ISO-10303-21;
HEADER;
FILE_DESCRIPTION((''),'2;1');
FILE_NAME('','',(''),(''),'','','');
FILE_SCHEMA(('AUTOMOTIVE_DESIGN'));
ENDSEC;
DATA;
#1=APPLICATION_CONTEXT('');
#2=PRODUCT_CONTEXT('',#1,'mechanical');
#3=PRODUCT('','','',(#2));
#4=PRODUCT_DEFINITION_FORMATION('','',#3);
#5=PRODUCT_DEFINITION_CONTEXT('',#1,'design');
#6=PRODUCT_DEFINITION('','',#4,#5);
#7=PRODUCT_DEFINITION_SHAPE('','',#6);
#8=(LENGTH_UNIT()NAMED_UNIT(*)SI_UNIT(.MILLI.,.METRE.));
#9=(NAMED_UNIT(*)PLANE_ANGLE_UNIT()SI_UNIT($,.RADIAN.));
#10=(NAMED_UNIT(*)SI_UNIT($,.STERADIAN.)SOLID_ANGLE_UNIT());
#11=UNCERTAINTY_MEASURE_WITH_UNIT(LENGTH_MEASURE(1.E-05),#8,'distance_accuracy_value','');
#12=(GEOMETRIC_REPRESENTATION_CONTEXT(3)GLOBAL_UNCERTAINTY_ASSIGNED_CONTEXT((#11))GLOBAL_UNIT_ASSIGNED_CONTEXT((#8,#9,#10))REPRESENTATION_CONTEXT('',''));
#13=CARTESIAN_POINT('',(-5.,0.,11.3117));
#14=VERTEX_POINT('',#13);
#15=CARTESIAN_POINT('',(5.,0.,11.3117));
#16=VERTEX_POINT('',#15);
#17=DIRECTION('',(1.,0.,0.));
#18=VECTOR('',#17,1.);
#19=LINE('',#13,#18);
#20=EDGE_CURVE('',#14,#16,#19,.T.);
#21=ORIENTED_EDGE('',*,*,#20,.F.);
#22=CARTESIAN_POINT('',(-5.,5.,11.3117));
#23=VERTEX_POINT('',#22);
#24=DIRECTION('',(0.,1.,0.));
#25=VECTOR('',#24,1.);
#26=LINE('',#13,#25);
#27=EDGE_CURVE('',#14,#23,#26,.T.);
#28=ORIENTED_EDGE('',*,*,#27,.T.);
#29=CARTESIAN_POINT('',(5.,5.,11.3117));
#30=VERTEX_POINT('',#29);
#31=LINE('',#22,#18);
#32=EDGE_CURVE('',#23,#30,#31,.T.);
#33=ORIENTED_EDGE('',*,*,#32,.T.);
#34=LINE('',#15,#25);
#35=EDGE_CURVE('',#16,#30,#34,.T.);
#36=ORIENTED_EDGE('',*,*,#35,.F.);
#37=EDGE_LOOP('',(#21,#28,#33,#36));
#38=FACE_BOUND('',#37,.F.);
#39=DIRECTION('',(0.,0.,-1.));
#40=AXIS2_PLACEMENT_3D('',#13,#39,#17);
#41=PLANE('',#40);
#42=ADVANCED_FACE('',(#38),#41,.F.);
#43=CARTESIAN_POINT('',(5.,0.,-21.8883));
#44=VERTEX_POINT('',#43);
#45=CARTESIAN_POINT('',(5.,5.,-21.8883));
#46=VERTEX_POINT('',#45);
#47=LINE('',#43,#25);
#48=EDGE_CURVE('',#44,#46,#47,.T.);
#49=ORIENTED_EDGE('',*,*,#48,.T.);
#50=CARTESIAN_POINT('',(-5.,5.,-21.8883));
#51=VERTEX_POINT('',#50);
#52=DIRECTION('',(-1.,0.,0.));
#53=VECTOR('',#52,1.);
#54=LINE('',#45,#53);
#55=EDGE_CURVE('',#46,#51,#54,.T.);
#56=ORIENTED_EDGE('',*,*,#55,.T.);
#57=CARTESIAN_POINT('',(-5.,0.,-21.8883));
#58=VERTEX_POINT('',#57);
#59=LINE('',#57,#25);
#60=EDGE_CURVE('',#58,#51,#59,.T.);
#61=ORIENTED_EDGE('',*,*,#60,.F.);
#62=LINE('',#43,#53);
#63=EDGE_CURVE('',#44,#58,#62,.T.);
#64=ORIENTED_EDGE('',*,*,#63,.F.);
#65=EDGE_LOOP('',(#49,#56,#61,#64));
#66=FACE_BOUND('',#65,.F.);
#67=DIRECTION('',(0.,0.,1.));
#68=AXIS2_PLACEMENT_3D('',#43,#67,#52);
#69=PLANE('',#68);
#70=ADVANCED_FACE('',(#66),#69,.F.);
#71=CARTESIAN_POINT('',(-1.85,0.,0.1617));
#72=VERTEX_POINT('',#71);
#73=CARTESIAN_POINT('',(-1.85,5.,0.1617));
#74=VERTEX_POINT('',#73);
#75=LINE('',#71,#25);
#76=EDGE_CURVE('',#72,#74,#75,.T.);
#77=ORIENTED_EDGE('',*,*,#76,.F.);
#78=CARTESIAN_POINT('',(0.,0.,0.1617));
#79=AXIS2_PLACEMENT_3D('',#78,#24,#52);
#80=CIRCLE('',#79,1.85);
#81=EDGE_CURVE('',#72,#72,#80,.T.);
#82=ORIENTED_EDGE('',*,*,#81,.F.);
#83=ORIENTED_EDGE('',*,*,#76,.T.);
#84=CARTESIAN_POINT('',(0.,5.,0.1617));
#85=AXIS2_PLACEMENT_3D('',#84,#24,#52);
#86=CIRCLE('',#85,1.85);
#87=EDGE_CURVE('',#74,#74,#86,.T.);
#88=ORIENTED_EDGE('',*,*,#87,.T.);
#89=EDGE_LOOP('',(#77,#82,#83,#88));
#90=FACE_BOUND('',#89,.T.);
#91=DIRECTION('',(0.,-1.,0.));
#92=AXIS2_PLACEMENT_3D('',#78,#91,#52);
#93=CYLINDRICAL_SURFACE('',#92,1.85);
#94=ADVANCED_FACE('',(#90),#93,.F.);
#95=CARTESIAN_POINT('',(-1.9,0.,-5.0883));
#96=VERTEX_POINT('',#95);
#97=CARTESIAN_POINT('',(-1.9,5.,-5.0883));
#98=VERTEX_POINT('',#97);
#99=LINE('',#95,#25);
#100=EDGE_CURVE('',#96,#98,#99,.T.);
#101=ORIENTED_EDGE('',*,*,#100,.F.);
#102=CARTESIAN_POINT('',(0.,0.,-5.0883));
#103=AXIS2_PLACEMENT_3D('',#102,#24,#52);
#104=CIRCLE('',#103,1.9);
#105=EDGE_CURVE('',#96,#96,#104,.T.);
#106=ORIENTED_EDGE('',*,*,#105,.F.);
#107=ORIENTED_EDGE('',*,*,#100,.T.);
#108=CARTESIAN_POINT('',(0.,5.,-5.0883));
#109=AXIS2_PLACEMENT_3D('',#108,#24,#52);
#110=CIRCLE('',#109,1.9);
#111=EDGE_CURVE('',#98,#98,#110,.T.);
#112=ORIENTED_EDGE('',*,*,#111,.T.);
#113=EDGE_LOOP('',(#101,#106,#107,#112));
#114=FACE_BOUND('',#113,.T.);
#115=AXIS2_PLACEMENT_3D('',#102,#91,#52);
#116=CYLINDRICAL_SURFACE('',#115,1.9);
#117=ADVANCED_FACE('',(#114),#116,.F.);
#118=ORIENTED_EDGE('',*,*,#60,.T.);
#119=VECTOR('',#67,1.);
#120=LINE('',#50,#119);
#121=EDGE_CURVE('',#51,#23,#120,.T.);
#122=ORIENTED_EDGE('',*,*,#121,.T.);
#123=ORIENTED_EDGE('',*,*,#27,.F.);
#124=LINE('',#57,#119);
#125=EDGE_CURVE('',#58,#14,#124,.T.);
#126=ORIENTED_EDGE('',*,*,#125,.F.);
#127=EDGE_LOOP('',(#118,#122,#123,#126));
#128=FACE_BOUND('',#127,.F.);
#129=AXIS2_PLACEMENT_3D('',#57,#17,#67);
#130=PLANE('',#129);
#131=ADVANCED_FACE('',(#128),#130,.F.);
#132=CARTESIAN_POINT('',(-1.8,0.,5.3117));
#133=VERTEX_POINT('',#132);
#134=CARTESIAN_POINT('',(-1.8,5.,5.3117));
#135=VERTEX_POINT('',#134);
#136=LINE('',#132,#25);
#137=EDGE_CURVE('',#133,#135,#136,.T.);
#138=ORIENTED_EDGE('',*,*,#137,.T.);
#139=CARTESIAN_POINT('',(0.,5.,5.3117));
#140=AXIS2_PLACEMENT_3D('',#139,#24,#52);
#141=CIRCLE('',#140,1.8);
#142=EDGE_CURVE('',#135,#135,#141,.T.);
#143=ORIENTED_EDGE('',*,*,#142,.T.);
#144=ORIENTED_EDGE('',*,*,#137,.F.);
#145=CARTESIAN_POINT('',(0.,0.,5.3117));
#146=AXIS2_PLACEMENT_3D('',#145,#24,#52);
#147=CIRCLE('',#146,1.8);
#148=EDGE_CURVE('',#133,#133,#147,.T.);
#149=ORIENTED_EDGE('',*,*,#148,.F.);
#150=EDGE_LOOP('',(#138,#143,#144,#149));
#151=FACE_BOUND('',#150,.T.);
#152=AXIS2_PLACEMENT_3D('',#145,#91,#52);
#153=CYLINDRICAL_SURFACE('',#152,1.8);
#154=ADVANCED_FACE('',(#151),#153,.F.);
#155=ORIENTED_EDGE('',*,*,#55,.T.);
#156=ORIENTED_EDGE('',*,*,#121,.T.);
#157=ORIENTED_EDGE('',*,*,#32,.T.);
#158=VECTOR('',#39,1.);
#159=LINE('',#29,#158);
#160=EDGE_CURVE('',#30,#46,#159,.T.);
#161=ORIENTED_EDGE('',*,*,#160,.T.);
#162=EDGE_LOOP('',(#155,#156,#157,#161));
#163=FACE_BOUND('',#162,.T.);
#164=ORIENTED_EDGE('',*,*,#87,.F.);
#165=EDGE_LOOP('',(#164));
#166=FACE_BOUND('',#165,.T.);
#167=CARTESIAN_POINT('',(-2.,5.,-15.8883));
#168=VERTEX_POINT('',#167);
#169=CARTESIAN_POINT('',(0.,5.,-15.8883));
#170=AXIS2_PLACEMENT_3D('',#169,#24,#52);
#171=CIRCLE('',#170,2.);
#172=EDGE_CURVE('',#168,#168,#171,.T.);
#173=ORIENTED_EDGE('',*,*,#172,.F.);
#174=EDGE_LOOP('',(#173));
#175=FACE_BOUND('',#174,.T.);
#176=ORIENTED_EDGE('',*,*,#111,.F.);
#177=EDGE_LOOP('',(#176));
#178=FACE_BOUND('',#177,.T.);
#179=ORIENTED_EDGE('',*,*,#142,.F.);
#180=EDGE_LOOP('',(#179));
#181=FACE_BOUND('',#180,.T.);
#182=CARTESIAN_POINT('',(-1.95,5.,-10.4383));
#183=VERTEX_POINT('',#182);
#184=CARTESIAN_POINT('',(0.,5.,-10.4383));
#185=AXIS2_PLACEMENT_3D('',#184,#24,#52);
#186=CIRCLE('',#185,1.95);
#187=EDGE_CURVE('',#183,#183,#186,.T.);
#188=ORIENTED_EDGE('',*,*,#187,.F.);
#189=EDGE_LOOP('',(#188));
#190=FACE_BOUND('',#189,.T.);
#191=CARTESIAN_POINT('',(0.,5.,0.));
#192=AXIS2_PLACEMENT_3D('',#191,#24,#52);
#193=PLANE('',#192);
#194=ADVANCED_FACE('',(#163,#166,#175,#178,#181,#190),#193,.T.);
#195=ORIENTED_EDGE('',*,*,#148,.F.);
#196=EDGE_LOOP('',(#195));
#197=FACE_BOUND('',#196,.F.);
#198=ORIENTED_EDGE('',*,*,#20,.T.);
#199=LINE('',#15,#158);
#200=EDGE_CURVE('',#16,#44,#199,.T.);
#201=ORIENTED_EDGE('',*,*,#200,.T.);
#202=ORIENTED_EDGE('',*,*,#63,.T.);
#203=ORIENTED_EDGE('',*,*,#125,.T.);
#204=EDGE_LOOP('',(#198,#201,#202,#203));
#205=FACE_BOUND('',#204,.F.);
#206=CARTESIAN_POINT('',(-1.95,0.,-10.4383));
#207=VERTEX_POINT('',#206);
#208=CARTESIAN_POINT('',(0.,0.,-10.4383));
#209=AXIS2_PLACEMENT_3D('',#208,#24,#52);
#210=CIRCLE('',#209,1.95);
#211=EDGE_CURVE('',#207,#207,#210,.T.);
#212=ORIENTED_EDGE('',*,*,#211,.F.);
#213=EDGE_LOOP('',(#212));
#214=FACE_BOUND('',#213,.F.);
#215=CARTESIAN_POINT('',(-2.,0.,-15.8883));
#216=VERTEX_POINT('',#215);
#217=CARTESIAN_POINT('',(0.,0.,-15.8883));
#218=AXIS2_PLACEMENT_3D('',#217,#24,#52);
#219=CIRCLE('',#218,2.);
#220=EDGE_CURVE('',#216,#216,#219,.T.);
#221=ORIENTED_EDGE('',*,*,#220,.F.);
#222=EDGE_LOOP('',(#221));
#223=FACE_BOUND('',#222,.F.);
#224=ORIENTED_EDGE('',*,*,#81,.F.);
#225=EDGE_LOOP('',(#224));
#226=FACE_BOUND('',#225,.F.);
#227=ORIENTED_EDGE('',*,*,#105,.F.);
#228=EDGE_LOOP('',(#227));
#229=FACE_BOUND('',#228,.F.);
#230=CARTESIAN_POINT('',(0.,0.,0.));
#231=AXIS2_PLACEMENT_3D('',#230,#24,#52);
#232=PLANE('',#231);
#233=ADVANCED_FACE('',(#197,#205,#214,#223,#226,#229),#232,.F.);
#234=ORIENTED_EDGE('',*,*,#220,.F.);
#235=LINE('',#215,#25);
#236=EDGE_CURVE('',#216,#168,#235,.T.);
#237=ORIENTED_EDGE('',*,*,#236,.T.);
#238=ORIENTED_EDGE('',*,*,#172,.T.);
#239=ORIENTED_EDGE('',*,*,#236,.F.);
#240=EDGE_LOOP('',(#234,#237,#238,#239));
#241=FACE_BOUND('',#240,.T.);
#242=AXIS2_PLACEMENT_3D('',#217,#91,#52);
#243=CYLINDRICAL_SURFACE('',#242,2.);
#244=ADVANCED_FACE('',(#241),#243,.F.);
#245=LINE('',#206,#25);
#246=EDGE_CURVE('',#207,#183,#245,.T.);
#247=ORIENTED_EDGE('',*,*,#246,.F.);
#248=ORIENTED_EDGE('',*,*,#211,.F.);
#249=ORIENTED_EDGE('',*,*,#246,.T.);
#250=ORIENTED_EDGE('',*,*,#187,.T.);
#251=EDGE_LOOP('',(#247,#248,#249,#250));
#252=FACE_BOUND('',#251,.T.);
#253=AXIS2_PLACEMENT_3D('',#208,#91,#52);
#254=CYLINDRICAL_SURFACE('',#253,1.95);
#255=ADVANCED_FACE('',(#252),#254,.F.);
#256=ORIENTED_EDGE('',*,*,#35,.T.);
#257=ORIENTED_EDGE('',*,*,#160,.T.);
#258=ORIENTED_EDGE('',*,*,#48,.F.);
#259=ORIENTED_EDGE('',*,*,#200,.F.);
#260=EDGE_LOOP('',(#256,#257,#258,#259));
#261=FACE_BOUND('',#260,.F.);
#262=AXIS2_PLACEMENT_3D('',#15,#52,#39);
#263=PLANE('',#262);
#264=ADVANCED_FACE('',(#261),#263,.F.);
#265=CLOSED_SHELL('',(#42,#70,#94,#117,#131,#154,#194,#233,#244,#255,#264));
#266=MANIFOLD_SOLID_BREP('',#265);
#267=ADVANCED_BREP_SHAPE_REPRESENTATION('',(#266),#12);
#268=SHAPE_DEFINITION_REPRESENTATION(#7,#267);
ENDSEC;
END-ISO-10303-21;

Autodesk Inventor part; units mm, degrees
ref_plane "YZ Plane" through (0, 0, 0) normal (1, 0, 0) x (0, 1, 0)
ref_plane "XZ Plane" through (0, 0, 0) normal (0, 1, 0) x (-1, 0, 0)
ref_plane "XY Plane" through (0, 0, 0) normal (0, 0, 1) x (1, 0, 0)
sketch "Sketch1" plane through (0, 0, 0) normal (0, 1, 0) x (-1, 0, 0)
  line L0 (-5, -21.8883) -> (5, -21.8883)
  line L1 (5, -21.8883) -> (5, 11.3117)
  line L2 (5, 11.3117) -> (-5, 11.3117)
  line L3 (-5, 11.3117) -> (-5, -21.8883)
  circle A0 centre (0, 0.1617) radius 1.85
  circle A1 centre (0, -5.0883) radius 1.9
  line L4 (0, 11.3117) -> (0, -21.8883) construction
  circle A2 centre (0, 5.3117) radius 1.8
  circle A3 centre (0, -10.4383) radius 1.95
  circle A4 centre (0, -15.8883) radius 2
  dimension "d1" = 10
  dimension "d2" = 3.7
  dimension "d3" = 3.8
  dimension "d4" = 1.5
  dimension "d5" = 3.6
  dimension "d6" = 1.5
  dimension "d8" = 3.9
  dimension "d9" = 1.5
  dimension "d10" = 4
  dimension "d11" = 1.5
  dimension "d12" = 6
  dimension "d13" = 6
extrude "Extrusion1" add sketch "Sketch1" along normal blind 5
properties part number "Test Block for Inserts"
